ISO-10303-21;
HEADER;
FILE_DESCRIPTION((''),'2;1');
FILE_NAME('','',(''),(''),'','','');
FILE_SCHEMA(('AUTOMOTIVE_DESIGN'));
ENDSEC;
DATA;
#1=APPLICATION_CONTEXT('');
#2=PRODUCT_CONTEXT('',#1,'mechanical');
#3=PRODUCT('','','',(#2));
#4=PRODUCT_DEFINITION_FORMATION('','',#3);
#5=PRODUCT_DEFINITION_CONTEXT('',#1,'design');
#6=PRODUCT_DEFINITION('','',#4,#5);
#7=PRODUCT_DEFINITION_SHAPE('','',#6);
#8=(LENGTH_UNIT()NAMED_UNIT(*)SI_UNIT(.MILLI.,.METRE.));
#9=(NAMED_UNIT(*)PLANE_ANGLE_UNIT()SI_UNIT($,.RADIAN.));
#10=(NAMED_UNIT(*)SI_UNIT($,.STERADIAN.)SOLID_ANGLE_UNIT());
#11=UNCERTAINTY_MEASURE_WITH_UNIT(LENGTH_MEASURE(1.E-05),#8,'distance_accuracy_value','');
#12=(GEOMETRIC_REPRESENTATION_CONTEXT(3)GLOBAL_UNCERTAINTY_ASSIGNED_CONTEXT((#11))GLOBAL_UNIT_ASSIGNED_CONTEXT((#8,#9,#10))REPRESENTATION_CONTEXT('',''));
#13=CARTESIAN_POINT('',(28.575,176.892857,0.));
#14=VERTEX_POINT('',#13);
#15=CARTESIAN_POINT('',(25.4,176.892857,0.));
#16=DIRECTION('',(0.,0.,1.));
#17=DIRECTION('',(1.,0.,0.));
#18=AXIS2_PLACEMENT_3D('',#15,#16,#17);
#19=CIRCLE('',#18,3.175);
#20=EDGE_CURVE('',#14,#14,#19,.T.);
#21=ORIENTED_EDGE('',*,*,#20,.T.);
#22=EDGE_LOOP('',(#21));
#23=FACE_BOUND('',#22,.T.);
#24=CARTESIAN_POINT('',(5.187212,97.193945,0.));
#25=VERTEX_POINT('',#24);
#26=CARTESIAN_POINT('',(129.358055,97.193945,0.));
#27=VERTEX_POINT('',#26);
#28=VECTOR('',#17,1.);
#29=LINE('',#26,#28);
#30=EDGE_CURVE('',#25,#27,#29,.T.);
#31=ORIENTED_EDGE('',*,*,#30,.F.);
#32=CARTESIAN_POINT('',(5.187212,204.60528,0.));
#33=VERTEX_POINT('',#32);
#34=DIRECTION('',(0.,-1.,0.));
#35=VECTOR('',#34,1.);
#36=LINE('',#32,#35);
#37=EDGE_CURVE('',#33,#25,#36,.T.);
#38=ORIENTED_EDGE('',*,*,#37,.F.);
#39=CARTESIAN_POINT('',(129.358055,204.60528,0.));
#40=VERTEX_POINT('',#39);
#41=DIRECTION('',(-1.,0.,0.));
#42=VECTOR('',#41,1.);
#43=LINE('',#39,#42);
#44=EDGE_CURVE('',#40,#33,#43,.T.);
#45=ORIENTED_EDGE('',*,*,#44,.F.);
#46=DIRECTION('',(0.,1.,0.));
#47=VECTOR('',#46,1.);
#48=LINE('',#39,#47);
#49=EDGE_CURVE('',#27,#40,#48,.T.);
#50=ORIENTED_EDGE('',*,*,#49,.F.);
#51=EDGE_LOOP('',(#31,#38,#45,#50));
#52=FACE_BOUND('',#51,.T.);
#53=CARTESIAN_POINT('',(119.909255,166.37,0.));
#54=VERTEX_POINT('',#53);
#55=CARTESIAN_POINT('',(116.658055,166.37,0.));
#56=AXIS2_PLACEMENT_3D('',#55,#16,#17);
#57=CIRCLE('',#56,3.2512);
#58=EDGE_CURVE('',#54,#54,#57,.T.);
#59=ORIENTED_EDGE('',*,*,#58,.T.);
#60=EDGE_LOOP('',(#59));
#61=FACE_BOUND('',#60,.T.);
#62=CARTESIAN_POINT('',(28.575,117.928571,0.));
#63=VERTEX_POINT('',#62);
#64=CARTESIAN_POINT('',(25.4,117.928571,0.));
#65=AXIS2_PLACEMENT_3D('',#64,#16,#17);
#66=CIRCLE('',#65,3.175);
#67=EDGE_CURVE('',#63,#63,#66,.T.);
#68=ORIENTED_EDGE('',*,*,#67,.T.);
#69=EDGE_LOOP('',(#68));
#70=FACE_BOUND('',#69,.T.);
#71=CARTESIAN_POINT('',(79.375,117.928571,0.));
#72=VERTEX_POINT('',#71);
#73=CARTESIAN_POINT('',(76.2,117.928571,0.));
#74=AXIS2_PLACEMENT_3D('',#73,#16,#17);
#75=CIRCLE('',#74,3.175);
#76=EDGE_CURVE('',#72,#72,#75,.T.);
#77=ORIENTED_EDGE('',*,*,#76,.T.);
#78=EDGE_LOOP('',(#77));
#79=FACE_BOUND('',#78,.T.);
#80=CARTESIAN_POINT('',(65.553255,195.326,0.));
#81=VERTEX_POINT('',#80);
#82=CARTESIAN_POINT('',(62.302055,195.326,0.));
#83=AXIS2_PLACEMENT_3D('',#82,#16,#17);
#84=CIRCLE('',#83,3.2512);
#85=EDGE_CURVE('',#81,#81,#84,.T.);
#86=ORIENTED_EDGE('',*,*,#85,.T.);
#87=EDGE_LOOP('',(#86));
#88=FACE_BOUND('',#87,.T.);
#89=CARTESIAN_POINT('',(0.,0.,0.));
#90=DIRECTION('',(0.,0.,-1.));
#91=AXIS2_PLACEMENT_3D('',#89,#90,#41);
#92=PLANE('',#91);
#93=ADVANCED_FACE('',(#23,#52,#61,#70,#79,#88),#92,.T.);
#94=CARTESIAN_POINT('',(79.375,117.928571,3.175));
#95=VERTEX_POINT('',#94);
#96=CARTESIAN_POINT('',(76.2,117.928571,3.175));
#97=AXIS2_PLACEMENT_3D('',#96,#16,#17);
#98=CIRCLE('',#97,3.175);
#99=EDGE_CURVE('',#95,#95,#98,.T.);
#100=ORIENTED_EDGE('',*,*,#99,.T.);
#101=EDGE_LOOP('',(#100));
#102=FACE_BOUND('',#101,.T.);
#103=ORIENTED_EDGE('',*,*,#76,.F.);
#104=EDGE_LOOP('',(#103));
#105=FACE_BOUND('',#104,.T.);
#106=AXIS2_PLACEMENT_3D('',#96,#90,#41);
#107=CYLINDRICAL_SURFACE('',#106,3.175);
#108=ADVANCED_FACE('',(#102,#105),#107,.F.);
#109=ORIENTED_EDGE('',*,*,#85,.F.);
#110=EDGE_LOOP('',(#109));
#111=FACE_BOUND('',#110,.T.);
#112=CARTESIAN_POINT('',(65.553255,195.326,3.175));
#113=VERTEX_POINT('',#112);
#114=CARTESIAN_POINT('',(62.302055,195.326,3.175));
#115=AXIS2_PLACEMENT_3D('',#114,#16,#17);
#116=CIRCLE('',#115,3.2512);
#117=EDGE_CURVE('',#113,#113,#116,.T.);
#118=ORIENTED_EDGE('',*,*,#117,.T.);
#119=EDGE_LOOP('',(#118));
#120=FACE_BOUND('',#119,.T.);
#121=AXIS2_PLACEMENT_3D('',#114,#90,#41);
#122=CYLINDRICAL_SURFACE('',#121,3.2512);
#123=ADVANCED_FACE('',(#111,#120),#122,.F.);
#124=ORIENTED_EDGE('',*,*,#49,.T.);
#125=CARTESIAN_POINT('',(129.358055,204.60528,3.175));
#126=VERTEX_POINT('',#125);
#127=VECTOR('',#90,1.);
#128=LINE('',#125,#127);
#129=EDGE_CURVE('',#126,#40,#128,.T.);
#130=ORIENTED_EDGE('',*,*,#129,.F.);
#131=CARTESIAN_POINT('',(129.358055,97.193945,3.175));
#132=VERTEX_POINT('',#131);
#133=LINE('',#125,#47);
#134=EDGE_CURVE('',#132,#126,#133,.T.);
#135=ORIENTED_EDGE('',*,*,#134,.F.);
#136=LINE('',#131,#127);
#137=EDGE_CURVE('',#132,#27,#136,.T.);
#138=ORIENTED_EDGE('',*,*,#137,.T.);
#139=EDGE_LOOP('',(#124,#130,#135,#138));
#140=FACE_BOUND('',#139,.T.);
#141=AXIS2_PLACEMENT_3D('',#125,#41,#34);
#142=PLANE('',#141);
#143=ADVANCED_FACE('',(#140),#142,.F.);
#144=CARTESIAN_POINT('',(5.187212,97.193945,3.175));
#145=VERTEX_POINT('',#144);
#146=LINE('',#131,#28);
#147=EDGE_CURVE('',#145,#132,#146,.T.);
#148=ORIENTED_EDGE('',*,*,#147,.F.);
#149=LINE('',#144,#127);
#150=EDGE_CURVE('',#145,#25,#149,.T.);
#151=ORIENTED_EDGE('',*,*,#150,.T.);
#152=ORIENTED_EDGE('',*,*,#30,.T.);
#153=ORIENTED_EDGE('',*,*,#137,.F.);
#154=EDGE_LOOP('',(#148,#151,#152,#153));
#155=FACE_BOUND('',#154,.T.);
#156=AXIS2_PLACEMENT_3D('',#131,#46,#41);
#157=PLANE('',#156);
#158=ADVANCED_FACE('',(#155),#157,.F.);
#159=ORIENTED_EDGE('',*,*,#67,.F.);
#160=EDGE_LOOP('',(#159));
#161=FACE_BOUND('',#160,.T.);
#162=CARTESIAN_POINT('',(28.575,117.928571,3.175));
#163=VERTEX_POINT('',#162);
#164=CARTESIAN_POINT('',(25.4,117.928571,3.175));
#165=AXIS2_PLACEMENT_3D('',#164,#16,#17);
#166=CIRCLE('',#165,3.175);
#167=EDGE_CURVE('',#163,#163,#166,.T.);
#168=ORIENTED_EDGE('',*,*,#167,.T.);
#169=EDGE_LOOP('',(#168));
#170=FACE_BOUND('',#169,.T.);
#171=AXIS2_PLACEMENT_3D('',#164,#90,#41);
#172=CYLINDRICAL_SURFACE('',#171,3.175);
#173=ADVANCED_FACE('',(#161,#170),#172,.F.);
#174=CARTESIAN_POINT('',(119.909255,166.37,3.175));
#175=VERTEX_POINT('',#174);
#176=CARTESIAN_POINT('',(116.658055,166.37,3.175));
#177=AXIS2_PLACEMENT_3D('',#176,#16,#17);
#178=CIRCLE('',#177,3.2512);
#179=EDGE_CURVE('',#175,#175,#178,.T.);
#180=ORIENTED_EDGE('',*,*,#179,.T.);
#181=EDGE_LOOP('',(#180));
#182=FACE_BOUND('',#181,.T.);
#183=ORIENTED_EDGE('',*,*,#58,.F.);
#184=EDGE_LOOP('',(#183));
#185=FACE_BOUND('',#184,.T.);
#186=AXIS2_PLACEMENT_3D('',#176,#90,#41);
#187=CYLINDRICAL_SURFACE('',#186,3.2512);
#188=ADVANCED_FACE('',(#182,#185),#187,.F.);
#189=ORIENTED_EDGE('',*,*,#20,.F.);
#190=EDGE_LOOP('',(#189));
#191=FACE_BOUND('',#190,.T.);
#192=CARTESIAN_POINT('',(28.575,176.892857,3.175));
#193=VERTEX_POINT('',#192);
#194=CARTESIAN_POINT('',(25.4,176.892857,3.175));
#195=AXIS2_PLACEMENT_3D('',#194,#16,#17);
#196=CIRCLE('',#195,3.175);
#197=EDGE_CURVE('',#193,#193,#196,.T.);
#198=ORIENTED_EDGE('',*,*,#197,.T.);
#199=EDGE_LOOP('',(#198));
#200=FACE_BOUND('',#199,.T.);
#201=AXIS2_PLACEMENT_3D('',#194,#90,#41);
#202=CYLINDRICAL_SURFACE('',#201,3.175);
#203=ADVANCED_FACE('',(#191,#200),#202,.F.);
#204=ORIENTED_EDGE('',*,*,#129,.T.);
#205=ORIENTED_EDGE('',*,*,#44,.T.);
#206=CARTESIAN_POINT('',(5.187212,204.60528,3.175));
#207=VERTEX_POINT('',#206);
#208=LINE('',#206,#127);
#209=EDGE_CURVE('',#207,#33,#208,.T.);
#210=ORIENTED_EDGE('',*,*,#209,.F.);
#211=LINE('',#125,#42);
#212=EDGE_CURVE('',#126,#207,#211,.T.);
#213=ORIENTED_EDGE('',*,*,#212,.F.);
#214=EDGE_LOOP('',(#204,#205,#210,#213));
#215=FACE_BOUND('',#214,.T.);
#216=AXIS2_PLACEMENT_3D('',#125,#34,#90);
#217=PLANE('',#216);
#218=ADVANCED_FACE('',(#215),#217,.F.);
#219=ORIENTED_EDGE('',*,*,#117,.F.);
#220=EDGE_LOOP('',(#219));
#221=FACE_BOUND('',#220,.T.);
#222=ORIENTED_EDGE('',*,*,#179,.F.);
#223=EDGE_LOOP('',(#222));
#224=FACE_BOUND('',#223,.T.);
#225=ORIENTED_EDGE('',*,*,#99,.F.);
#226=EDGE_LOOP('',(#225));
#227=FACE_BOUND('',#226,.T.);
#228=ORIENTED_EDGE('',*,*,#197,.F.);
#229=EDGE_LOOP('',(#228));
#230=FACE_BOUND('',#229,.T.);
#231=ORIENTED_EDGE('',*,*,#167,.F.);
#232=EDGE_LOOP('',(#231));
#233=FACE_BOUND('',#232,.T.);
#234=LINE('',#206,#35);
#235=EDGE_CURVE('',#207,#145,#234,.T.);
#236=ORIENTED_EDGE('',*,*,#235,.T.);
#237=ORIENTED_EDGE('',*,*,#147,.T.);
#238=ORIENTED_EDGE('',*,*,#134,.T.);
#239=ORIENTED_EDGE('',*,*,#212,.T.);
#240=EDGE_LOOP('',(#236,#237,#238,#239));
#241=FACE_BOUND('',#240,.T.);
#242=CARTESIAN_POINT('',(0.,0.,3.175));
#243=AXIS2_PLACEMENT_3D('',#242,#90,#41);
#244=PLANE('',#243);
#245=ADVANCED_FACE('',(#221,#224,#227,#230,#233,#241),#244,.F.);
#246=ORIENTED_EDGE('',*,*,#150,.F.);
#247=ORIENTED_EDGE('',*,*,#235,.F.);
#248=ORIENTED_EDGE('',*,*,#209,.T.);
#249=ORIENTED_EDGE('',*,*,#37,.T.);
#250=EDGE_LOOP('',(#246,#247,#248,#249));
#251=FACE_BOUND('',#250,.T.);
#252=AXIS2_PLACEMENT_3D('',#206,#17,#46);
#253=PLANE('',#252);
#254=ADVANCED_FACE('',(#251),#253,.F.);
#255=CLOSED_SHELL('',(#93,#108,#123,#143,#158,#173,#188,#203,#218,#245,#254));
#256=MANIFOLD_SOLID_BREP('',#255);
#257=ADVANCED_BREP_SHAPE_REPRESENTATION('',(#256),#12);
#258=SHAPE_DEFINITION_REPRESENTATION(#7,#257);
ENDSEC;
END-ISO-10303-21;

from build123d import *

# Parameters (mm, degrees)
SKETCH1_W           = 124.170843137
SKETCH1_H           = 107.411334798
SKETCH1_R           = 3.175
SKETCH1_R_2         = 3.2512
BOSS_EXTRUDE1_DEPTH = 3.175


with BuildPart() as part:
    # Sketch1 → Boss-Extrude1 (new body)
    with BuildSketch(Plane.XY):
        with Locations((67.272633407, 150.899612868)):
            Rectangle(SKETCH1_W, SKETCH1_H)
        with Locations((25.4, 117.928571429)):
            Circle(SKETCH1_R, mode=Mode.SUBTRACT)
        with Locations((25.4, 176.892857143)):
            Circle(SKETCH1_R, mode=Mode.SUBTRACT)
        with Locations((76.2, 117.928571429)):
            Circle(SKETCH1_R, mode=Mode.SUBTRACT)
        with Locations((116.658054975, 166.37)):
            Circle(SKETCH1_R_2, mode=Mode.SUBTRACT)
        with Locations((62.302054975, 195.326)):
            Circle(SKETCH1_R_2, mode=Mode.SUBTRACT)
    extrude(amount=BOSS_EXTRUDE1_DEPTH)


solid = part.part
